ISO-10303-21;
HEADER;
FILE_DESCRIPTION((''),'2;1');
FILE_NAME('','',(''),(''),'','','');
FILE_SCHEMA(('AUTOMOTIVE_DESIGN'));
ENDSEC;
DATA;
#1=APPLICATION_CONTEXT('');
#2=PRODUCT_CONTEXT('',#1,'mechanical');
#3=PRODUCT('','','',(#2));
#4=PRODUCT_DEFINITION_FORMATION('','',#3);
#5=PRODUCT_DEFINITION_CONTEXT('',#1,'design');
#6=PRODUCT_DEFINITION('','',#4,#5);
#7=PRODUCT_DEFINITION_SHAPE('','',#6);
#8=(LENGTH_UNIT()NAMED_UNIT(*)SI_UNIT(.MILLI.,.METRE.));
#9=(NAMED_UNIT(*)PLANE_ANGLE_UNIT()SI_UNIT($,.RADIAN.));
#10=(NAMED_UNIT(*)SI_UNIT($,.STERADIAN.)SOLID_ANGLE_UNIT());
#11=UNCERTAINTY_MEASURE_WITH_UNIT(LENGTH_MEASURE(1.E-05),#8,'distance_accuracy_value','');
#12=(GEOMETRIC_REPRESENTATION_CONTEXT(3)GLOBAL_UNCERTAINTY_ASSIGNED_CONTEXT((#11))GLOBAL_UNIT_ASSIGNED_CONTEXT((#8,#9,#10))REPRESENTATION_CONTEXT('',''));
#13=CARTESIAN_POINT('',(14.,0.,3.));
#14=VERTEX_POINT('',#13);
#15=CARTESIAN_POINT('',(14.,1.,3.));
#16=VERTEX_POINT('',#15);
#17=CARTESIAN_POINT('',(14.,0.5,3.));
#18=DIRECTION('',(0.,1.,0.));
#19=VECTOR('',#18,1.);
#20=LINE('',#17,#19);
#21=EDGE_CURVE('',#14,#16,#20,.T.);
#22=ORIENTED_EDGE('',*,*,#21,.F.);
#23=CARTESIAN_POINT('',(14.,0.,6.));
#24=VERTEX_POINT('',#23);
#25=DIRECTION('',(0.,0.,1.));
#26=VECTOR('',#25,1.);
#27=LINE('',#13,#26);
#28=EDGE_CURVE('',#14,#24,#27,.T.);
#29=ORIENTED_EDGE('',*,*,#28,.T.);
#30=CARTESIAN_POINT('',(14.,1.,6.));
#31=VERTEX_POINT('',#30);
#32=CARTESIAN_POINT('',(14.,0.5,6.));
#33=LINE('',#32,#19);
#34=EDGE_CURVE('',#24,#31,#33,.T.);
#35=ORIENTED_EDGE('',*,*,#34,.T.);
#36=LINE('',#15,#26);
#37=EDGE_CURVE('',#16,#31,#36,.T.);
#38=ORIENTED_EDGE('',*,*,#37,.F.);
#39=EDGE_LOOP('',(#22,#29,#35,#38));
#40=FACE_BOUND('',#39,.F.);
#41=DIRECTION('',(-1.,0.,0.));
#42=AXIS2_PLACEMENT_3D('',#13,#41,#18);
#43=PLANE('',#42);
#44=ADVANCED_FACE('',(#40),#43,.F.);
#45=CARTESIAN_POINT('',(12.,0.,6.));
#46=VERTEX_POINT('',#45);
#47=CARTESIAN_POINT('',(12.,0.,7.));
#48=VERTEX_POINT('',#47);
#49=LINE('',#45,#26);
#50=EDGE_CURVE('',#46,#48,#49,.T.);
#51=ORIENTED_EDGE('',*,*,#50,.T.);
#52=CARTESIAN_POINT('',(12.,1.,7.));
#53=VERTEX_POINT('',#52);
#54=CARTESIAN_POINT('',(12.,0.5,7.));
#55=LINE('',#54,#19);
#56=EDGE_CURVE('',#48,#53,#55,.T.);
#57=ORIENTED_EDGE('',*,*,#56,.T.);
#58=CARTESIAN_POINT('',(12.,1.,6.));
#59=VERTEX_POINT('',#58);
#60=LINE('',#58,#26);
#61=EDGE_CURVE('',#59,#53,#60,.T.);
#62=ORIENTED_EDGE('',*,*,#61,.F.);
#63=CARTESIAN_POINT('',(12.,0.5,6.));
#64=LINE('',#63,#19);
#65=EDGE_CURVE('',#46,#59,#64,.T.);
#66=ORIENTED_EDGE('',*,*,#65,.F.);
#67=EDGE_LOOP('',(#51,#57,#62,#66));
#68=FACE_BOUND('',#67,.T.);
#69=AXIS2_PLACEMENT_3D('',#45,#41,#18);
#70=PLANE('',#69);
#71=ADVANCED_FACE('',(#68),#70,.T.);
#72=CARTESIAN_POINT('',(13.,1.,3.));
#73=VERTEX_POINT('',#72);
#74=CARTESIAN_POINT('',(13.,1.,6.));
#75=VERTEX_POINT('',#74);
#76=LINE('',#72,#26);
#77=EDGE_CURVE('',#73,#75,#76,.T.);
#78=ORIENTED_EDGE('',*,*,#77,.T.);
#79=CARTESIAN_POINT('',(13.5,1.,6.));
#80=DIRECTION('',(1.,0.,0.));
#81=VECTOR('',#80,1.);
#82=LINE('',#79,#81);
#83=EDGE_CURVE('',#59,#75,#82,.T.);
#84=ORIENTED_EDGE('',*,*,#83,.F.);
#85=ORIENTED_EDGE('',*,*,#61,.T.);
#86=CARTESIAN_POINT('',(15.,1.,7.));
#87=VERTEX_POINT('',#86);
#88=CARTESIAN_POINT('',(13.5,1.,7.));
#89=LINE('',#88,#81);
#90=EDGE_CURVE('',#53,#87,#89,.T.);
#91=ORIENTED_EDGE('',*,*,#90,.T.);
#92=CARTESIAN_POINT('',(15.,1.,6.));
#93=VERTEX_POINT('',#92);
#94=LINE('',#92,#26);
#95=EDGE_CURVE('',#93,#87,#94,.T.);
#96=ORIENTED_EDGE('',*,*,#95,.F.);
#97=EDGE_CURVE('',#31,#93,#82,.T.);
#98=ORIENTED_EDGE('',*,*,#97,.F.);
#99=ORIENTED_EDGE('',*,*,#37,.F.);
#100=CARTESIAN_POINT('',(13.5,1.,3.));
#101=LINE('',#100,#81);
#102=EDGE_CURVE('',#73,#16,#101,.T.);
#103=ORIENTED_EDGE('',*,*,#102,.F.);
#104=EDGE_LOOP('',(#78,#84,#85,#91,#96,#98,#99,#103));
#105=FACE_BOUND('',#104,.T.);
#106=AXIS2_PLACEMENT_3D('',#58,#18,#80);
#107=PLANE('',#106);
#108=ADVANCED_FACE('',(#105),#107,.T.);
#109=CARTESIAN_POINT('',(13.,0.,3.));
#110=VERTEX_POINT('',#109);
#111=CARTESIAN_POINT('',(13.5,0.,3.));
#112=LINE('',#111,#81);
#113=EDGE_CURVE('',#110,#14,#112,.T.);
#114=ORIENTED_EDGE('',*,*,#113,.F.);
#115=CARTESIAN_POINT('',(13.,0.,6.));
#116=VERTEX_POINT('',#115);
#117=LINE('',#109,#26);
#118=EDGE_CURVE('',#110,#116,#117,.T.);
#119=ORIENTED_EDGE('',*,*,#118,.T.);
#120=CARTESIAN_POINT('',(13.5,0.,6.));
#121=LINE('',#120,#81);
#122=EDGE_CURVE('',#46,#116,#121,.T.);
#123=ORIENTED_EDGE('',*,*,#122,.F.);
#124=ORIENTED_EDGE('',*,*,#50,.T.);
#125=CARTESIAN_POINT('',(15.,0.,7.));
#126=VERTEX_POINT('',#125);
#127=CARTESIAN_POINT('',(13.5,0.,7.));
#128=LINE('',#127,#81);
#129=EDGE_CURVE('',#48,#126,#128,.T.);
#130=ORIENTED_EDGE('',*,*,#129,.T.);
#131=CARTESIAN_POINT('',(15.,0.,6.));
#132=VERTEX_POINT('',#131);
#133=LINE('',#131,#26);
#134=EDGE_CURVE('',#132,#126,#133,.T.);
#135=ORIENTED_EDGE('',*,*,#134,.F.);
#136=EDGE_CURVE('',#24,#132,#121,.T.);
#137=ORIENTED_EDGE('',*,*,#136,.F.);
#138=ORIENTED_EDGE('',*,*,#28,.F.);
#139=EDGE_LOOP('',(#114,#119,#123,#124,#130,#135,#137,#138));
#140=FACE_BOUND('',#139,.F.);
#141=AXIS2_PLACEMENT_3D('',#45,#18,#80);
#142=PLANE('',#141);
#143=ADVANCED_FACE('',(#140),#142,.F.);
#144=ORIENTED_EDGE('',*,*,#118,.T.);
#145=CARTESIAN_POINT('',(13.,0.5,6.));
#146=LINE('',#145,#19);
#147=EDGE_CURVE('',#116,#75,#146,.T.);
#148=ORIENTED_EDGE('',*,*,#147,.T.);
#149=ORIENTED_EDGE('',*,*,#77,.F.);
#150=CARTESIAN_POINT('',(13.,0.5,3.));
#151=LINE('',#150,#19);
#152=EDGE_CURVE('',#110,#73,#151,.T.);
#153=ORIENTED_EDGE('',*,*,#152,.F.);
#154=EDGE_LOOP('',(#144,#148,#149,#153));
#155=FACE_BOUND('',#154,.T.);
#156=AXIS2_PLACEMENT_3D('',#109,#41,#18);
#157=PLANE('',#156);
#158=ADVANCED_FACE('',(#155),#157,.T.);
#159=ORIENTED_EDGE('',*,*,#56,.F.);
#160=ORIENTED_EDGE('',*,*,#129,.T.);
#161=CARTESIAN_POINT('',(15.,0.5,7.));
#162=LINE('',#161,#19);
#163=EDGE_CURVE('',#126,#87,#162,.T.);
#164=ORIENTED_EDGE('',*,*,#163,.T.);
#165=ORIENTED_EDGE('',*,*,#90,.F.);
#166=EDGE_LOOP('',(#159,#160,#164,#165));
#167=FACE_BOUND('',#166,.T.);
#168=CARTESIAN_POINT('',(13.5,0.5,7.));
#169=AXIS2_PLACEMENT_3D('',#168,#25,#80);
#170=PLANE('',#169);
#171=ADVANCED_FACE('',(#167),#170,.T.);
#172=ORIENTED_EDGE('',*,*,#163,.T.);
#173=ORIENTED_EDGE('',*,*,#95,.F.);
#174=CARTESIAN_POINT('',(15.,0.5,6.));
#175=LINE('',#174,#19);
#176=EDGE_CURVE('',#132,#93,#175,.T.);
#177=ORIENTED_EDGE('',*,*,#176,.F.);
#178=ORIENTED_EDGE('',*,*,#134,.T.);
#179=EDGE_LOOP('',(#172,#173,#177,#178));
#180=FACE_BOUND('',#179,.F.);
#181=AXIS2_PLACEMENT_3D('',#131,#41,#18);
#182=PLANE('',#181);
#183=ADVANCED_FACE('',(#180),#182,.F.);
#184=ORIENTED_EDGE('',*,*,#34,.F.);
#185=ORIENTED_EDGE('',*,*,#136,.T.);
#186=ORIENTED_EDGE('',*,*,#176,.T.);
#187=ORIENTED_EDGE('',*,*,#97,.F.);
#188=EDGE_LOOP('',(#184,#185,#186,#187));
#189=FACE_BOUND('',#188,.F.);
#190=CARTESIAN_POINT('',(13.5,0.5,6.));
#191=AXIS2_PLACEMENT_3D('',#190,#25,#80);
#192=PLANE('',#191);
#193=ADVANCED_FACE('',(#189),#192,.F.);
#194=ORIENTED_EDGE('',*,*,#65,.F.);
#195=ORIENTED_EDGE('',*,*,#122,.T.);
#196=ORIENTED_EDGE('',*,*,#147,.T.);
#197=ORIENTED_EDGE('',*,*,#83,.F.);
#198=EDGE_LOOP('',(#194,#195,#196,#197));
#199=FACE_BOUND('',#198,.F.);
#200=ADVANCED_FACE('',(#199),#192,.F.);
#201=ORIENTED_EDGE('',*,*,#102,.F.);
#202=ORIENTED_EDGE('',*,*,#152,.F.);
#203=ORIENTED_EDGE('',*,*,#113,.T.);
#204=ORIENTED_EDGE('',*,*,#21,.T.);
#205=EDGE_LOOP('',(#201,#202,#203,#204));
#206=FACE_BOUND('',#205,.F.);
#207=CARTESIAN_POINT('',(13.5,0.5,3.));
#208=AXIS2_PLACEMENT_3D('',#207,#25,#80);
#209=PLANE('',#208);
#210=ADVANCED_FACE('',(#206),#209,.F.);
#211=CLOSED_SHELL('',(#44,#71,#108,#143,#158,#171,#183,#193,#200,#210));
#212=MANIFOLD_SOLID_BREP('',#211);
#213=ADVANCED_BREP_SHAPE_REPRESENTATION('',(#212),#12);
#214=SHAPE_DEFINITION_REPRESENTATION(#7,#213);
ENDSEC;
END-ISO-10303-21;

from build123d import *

# Parameters (mm, degrees)
BOX071_W     = 1
BOX071_H     = 1
BOX071_DEPTH = 3
BOX066_W     = 3
BOX066_H     = 1
BOX066_DEPTH = 1


with BuildPart() as box071:
    # Box071 → Box071 (new body)
    with BuildSketch(Plane(origin=(13, 0, 3), x_dir=(1, 0, 0), z_dir=(0, 0, 1))):
        with Locations((0.5, 0.5)):
            Rectangle(BOX071_W, BOX071_H)
    extrude(amount=BOX071_DEPTH)


with BuildPart() as fusion081:
    # Box066 → Box066 (new body)
    with BuildSketch(Plane(origin=(12, 0, 6), x_dir=(1, 0, 0), z_dir=(0, 0, 1))):
        with Locations((1.5, 0.5)):
            Rectangle(BOX066_W, BOX066_H)
    extrude(amount=BOX066_DEPTH)

    # Fusion081: union Box071
    add(box071.part)


solid = fusion081.part
